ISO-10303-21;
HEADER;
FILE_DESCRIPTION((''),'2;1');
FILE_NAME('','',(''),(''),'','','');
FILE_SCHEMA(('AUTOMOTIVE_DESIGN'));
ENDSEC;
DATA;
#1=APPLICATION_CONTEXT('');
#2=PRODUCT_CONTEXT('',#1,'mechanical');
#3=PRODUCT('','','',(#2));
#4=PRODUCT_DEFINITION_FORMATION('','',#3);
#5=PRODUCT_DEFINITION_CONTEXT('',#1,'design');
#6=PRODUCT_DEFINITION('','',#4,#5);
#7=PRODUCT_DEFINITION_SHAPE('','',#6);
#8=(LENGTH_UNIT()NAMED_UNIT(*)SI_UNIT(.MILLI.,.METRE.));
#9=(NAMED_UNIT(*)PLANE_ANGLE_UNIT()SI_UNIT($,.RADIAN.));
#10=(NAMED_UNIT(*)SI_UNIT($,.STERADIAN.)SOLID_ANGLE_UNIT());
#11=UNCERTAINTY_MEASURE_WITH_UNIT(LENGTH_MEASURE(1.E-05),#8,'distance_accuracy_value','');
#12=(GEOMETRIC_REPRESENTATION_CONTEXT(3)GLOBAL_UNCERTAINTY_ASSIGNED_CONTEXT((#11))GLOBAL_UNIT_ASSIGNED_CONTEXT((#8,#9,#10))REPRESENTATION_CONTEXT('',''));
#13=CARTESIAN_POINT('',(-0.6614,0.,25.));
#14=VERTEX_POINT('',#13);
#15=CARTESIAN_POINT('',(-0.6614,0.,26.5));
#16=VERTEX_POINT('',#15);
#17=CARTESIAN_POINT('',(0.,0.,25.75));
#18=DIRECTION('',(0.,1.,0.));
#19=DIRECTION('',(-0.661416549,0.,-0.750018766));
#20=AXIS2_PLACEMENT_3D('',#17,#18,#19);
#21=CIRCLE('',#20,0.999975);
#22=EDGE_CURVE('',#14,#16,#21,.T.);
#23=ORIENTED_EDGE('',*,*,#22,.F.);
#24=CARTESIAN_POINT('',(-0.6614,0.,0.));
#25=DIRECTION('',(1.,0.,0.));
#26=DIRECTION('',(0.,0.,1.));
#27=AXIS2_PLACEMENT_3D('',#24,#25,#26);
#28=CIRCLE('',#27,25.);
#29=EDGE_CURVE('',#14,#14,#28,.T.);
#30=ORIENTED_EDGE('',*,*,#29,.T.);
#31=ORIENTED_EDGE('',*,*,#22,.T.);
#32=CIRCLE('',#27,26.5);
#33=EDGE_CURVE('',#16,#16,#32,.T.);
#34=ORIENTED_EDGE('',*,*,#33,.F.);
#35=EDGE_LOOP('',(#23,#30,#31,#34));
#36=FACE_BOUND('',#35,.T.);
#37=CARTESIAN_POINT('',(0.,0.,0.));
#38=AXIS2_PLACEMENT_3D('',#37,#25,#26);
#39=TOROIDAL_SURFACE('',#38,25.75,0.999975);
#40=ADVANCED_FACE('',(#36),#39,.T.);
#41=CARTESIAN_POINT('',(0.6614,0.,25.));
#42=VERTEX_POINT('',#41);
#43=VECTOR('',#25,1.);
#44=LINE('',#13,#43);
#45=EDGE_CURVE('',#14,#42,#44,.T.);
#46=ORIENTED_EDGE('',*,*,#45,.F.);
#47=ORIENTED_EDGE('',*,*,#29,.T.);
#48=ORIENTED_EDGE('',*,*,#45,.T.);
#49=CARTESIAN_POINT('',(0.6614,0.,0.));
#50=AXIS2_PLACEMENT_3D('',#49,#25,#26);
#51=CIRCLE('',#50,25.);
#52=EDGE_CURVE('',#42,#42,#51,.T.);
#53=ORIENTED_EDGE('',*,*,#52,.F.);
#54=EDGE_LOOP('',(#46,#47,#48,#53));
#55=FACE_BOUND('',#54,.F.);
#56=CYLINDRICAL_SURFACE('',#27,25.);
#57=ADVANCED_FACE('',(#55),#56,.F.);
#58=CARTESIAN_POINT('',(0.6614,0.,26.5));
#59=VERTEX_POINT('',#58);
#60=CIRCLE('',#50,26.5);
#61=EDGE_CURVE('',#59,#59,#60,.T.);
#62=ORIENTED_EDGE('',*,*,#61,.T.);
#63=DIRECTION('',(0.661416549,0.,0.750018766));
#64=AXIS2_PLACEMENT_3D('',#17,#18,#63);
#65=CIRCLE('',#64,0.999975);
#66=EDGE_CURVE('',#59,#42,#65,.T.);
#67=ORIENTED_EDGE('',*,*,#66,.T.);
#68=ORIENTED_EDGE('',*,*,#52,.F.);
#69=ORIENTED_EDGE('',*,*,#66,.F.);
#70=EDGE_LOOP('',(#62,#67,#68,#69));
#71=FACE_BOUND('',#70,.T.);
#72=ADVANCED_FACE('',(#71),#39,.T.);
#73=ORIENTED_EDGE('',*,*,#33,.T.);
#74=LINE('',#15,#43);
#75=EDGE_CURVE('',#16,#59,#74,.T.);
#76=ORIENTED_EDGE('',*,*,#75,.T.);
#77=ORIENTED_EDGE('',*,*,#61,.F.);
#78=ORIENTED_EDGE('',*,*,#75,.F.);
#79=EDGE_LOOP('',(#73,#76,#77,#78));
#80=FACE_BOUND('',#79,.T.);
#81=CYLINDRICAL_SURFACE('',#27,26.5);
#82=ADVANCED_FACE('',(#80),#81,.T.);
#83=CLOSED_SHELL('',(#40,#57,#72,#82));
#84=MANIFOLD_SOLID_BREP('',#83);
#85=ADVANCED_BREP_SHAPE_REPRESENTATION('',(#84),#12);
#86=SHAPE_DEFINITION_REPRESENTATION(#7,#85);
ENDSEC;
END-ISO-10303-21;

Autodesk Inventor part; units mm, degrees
ref_plane "YZ Plane" through (0, 0, 0) normal (1, 0, 0) x (0, 1, 0)
ref_plane "XZ Plane" through (0, 0, 0) normal (0, 1, 0) x (-1, 0, 0)
ref_plane "XY Plane" through (0, 0, 0) normal (0, 0, 1) x (1, 0, 0)
sketch "Skizze1" plane through (0, 0, 0) normal (0, 1, 0) x (-1, 0, 0)
  line L0 (0.6614, 26.5) -> (-0.6614, 26.5)
  line L1 (0.6614, 25) -> (-0.6614, 25)
  arc A0 (0.6614, 25) -> (0.6614, 26.5) centre (0, 25.75) ccw
  arc A1 (-0.6614, 26.5) -> (-0.6614, 25) centre (0, 25.75) ccw
  line L2 (1.4, 0) -> (-1.4, 0) projected
  point P0 (0, 0)
  dimension "d1" = 25.75
  dimension "d2" = 25
  dimension "d3" = 26.5
revolve "Umdrehung1" add sketch "Skizze1" angle 360 about axis through (-10, 0, 0) along (1, 0, 0)
properties part number "O-Ring_ID50mm_AD54mm" material "UHMW, Schwarz"
